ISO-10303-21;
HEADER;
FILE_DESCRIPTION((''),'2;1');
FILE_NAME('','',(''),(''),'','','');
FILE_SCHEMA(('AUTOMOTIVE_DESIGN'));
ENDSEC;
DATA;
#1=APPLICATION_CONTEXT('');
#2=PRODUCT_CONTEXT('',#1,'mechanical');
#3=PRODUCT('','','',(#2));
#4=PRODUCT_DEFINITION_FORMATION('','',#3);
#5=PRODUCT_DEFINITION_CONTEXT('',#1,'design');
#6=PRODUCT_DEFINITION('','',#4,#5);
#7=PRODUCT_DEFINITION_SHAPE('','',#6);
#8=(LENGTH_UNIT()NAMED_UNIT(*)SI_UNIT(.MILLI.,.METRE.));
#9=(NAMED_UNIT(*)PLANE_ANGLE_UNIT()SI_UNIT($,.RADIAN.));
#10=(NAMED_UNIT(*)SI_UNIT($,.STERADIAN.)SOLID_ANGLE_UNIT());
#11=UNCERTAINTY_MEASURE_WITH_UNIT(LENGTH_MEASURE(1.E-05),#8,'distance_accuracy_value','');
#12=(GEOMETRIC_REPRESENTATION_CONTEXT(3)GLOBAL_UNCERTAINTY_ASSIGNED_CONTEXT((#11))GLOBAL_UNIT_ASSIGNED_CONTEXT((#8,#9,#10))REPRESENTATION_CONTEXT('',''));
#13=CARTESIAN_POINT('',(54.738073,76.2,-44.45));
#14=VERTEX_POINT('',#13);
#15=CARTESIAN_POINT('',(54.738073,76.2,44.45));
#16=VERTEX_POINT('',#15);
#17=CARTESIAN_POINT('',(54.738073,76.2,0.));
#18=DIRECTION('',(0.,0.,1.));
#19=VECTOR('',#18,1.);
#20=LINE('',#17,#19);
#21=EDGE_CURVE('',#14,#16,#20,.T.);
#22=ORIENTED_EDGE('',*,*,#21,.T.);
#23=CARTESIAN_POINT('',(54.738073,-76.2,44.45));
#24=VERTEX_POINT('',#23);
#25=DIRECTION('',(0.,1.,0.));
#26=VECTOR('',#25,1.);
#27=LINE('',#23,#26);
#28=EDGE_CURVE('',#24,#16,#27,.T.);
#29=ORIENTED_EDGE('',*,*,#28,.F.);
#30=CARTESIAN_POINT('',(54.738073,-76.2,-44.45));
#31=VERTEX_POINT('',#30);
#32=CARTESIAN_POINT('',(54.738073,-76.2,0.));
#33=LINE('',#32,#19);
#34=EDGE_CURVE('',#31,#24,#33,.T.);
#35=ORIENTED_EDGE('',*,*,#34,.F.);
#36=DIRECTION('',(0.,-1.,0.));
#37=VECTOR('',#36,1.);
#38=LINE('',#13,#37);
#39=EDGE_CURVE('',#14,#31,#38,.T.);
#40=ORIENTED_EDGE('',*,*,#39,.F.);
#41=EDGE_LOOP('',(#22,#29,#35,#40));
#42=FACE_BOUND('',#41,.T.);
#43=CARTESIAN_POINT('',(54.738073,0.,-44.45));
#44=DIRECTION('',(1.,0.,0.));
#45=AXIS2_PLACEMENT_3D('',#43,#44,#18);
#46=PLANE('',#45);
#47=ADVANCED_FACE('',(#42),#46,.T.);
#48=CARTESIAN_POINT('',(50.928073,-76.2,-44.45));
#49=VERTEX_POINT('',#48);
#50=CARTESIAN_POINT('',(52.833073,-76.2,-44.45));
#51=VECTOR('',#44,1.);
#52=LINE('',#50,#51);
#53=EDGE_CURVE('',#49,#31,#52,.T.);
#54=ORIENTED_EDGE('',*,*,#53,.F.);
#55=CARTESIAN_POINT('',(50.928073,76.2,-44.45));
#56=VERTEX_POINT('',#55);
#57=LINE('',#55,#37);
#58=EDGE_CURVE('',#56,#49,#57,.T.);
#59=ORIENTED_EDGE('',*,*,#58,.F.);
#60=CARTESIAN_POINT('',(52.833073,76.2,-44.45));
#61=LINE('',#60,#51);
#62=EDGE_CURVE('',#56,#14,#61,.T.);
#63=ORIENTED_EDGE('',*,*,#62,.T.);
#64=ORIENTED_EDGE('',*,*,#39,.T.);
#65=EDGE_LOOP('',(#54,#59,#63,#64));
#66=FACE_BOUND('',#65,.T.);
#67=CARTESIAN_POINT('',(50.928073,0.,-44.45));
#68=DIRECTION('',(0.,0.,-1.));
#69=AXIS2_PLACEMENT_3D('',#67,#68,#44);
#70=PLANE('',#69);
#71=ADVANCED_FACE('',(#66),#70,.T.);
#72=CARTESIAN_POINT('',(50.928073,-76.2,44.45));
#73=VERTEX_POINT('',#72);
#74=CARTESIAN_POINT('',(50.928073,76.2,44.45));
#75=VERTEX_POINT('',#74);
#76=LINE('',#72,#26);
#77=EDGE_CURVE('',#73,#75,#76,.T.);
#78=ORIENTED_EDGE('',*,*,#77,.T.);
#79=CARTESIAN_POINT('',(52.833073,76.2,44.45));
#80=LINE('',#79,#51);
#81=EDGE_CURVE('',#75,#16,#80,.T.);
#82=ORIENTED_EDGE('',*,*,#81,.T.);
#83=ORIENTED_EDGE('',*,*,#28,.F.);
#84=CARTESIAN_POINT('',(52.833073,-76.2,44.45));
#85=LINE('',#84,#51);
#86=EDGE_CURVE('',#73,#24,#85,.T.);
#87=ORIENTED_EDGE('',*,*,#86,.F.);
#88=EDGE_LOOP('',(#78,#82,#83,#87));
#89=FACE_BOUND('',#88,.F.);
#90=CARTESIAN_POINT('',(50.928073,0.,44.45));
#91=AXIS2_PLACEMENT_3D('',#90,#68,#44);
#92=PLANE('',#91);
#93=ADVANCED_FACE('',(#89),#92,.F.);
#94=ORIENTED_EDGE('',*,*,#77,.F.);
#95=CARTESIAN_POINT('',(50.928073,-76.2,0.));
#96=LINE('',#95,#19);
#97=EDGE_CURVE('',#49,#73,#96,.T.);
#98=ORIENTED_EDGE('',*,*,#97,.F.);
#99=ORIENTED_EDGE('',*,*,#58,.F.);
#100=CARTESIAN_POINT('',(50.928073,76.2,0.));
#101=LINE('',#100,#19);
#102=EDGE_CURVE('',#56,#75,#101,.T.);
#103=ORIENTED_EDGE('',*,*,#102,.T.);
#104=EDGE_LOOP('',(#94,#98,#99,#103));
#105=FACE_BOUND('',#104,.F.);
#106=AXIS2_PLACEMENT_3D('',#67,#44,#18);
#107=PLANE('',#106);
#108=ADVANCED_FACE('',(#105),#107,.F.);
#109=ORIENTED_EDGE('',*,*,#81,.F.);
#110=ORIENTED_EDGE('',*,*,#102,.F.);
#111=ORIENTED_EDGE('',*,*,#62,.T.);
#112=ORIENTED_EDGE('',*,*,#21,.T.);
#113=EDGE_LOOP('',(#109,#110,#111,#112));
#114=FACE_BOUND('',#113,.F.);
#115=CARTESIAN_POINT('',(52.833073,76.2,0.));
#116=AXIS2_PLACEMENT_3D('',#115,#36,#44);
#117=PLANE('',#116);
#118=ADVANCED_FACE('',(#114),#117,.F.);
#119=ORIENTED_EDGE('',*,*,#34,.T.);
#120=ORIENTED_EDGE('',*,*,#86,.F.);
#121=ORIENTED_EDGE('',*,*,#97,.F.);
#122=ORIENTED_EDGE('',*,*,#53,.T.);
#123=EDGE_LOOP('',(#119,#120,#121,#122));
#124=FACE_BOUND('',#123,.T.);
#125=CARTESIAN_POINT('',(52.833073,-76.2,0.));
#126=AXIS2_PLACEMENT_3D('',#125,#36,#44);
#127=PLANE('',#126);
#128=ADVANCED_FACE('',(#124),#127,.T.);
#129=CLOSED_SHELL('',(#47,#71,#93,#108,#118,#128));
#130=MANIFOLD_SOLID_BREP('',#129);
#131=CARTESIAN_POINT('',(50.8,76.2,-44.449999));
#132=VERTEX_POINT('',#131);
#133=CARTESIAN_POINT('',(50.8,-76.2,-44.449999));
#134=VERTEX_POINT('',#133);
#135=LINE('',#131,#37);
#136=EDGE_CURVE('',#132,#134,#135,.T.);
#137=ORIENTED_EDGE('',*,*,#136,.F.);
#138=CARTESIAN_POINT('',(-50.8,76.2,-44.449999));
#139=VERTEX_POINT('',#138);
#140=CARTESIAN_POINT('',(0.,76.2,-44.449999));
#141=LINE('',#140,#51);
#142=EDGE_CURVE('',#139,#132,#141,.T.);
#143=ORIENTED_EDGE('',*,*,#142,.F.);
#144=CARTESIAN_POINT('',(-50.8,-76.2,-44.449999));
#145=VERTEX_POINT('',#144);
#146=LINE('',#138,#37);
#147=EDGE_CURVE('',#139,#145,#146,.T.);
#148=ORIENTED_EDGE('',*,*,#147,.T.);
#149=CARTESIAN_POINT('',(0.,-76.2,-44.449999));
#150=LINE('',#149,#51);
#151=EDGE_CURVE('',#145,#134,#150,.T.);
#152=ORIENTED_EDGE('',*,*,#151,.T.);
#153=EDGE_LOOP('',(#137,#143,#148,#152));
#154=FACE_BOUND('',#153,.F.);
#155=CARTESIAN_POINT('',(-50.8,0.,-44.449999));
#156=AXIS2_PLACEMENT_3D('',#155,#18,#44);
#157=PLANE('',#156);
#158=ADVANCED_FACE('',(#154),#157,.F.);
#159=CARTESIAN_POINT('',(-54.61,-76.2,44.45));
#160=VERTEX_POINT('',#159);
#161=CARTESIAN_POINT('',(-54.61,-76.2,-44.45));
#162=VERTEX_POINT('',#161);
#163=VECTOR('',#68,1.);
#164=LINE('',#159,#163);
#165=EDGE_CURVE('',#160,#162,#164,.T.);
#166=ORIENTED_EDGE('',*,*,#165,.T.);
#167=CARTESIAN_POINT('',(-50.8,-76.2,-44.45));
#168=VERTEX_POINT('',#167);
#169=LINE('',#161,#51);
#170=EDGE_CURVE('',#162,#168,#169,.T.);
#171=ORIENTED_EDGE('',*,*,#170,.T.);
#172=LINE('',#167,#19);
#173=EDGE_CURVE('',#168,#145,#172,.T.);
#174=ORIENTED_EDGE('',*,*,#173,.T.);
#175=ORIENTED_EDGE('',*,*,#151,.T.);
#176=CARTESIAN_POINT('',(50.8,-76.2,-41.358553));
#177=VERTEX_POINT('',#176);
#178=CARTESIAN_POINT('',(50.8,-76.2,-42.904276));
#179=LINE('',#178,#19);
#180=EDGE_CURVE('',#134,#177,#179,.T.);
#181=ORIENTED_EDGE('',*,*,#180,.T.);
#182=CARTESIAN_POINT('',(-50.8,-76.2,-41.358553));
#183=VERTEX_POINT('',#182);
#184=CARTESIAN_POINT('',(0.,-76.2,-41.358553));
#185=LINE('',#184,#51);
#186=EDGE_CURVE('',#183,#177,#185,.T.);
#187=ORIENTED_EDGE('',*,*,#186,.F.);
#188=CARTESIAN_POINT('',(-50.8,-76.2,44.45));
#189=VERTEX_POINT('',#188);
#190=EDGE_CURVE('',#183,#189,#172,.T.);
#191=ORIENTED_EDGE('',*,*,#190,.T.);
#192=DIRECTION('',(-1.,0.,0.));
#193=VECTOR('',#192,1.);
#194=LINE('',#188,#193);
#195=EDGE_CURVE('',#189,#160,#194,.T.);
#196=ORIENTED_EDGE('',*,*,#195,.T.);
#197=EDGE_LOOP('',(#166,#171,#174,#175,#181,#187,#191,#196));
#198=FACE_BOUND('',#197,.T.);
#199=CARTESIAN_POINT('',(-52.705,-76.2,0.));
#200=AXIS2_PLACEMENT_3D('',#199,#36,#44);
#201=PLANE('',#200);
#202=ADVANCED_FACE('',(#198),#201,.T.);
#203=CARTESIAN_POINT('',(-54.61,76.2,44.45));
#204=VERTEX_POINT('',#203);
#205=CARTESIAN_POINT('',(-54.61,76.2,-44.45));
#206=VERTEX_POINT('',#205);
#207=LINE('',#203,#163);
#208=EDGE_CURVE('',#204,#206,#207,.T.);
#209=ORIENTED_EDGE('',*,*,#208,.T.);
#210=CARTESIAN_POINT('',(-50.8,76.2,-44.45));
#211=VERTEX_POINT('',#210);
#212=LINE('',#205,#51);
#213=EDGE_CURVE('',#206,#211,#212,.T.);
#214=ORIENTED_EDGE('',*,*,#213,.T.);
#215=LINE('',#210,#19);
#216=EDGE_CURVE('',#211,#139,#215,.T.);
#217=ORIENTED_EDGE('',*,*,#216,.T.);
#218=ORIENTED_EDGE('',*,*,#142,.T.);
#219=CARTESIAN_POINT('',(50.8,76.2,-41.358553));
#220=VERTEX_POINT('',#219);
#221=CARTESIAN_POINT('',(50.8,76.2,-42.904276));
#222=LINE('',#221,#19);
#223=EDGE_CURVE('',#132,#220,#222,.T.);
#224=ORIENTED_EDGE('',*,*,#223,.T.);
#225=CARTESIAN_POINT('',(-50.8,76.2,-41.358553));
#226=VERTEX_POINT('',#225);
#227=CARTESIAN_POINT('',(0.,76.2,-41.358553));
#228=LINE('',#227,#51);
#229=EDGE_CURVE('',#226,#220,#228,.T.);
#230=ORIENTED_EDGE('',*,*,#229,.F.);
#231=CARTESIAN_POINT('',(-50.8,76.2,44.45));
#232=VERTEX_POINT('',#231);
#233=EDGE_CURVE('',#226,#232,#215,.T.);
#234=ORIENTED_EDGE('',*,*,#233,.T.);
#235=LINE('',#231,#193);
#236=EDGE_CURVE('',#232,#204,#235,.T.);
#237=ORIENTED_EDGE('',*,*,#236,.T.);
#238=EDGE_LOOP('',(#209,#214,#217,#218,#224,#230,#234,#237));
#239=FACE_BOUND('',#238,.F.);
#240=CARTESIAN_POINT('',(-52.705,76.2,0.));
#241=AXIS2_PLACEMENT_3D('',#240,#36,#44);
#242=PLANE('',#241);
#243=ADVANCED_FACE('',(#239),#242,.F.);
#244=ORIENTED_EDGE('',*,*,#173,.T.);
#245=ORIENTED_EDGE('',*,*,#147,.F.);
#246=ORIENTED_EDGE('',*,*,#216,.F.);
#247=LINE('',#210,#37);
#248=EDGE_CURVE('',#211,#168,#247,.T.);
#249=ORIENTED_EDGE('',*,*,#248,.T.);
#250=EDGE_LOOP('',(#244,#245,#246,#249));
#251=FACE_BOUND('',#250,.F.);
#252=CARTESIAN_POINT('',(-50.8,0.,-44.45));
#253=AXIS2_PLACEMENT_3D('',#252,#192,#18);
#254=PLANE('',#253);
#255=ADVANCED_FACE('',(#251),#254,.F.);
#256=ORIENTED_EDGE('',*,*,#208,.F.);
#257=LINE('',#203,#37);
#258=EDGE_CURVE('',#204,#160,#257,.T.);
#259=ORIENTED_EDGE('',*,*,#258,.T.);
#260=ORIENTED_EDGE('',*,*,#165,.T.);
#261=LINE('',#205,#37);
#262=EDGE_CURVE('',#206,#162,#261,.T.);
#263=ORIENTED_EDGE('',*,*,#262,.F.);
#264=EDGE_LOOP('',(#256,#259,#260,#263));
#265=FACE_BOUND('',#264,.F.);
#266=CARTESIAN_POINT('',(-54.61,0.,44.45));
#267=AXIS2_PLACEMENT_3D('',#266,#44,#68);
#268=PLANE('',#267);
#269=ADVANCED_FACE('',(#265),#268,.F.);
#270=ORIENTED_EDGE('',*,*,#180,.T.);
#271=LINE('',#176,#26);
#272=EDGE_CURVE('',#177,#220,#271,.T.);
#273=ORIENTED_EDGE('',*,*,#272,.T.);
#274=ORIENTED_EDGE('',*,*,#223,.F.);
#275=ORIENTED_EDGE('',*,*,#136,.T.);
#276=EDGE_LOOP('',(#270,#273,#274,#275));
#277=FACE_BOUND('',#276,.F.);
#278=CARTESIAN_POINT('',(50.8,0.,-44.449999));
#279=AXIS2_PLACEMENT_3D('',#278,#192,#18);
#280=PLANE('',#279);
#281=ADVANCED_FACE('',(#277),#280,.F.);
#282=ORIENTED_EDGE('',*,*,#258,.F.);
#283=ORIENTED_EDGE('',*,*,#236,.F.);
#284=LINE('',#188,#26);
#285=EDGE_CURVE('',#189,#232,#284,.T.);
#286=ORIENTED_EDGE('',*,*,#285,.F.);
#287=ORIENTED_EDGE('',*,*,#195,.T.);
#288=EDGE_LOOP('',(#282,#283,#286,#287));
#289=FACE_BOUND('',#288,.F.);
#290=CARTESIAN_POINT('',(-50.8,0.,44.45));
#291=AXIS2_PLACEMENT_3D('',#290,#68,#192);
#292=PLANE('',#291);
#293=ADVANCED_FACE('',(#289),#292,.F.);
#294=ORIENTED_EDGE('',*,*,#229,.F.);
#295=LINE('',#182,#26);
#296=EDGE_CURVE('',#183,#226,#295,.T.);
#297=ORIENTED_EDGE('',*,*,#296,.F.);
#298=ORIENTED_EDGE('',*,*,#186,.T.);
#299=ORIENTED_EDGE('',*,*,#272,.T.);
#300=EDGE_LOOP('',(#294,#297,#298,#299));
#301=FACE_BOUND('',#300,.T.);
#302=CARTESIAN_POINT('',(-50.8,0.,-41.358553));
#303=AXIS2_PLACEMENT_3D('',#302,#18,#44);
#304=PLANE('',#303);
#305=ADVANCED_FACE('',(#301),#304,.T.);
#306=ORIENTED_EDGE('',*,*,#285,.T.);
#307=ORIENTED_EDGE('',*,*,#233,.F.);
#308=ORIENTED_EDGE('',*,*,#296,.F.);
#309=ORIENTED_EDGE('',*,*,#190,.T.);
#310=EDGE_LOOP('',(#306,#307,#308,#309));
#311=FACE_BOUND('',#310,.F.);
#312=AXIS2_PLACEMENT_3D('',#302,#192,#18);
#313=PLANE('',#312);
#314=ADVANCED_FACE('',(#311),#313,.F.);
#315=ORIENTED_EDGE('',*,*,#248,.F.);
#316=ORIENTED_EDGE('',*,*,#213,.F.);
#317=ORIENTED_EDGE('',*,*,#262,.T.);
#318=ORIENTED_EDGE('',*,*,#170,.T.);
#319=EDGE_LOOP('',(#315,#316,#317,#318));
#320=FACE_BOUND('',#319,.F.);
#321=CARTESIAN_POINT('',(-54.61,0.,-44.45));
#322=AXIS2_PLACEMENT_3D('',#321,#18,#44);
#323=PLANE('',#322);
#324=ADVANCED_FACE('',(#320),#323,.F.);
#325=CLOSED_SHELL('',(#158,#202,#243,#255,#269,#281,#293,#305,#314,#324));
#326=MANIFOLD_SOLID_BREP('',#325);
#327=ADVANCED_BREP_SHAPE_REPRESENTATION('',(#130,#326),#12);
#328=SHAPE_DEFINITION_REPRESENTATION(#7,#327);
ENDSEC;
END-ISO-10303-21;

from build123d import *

# Parameters (mm, degrees)
F0_W     = 3.81
F0_H     = 88.9
F0_W_2   = 101.6
F0_H_2   = 3.091447
F1_DEPTH = 76.2


with BuildPart() as f1:
    # F0 (on Front) → F1 (new body, symmetric)
    with BuildSketch(Plane.XZ):
        Polygon((-50.8, 44.45), (-54.61, 44.45), (-54.61, -44.45), (-50.8, -44.45), (-50.8, -41.358553), align=None)
        with Locations((52.833073, 0)):
            Rectangle(F0_W, F0_H)
        with Locations((0, -42.904276)):
            Rectangle(F0_W_2, F0_H_2)
    extrude(amount=F1_DEPTH, both=True)


solid = f1.part
